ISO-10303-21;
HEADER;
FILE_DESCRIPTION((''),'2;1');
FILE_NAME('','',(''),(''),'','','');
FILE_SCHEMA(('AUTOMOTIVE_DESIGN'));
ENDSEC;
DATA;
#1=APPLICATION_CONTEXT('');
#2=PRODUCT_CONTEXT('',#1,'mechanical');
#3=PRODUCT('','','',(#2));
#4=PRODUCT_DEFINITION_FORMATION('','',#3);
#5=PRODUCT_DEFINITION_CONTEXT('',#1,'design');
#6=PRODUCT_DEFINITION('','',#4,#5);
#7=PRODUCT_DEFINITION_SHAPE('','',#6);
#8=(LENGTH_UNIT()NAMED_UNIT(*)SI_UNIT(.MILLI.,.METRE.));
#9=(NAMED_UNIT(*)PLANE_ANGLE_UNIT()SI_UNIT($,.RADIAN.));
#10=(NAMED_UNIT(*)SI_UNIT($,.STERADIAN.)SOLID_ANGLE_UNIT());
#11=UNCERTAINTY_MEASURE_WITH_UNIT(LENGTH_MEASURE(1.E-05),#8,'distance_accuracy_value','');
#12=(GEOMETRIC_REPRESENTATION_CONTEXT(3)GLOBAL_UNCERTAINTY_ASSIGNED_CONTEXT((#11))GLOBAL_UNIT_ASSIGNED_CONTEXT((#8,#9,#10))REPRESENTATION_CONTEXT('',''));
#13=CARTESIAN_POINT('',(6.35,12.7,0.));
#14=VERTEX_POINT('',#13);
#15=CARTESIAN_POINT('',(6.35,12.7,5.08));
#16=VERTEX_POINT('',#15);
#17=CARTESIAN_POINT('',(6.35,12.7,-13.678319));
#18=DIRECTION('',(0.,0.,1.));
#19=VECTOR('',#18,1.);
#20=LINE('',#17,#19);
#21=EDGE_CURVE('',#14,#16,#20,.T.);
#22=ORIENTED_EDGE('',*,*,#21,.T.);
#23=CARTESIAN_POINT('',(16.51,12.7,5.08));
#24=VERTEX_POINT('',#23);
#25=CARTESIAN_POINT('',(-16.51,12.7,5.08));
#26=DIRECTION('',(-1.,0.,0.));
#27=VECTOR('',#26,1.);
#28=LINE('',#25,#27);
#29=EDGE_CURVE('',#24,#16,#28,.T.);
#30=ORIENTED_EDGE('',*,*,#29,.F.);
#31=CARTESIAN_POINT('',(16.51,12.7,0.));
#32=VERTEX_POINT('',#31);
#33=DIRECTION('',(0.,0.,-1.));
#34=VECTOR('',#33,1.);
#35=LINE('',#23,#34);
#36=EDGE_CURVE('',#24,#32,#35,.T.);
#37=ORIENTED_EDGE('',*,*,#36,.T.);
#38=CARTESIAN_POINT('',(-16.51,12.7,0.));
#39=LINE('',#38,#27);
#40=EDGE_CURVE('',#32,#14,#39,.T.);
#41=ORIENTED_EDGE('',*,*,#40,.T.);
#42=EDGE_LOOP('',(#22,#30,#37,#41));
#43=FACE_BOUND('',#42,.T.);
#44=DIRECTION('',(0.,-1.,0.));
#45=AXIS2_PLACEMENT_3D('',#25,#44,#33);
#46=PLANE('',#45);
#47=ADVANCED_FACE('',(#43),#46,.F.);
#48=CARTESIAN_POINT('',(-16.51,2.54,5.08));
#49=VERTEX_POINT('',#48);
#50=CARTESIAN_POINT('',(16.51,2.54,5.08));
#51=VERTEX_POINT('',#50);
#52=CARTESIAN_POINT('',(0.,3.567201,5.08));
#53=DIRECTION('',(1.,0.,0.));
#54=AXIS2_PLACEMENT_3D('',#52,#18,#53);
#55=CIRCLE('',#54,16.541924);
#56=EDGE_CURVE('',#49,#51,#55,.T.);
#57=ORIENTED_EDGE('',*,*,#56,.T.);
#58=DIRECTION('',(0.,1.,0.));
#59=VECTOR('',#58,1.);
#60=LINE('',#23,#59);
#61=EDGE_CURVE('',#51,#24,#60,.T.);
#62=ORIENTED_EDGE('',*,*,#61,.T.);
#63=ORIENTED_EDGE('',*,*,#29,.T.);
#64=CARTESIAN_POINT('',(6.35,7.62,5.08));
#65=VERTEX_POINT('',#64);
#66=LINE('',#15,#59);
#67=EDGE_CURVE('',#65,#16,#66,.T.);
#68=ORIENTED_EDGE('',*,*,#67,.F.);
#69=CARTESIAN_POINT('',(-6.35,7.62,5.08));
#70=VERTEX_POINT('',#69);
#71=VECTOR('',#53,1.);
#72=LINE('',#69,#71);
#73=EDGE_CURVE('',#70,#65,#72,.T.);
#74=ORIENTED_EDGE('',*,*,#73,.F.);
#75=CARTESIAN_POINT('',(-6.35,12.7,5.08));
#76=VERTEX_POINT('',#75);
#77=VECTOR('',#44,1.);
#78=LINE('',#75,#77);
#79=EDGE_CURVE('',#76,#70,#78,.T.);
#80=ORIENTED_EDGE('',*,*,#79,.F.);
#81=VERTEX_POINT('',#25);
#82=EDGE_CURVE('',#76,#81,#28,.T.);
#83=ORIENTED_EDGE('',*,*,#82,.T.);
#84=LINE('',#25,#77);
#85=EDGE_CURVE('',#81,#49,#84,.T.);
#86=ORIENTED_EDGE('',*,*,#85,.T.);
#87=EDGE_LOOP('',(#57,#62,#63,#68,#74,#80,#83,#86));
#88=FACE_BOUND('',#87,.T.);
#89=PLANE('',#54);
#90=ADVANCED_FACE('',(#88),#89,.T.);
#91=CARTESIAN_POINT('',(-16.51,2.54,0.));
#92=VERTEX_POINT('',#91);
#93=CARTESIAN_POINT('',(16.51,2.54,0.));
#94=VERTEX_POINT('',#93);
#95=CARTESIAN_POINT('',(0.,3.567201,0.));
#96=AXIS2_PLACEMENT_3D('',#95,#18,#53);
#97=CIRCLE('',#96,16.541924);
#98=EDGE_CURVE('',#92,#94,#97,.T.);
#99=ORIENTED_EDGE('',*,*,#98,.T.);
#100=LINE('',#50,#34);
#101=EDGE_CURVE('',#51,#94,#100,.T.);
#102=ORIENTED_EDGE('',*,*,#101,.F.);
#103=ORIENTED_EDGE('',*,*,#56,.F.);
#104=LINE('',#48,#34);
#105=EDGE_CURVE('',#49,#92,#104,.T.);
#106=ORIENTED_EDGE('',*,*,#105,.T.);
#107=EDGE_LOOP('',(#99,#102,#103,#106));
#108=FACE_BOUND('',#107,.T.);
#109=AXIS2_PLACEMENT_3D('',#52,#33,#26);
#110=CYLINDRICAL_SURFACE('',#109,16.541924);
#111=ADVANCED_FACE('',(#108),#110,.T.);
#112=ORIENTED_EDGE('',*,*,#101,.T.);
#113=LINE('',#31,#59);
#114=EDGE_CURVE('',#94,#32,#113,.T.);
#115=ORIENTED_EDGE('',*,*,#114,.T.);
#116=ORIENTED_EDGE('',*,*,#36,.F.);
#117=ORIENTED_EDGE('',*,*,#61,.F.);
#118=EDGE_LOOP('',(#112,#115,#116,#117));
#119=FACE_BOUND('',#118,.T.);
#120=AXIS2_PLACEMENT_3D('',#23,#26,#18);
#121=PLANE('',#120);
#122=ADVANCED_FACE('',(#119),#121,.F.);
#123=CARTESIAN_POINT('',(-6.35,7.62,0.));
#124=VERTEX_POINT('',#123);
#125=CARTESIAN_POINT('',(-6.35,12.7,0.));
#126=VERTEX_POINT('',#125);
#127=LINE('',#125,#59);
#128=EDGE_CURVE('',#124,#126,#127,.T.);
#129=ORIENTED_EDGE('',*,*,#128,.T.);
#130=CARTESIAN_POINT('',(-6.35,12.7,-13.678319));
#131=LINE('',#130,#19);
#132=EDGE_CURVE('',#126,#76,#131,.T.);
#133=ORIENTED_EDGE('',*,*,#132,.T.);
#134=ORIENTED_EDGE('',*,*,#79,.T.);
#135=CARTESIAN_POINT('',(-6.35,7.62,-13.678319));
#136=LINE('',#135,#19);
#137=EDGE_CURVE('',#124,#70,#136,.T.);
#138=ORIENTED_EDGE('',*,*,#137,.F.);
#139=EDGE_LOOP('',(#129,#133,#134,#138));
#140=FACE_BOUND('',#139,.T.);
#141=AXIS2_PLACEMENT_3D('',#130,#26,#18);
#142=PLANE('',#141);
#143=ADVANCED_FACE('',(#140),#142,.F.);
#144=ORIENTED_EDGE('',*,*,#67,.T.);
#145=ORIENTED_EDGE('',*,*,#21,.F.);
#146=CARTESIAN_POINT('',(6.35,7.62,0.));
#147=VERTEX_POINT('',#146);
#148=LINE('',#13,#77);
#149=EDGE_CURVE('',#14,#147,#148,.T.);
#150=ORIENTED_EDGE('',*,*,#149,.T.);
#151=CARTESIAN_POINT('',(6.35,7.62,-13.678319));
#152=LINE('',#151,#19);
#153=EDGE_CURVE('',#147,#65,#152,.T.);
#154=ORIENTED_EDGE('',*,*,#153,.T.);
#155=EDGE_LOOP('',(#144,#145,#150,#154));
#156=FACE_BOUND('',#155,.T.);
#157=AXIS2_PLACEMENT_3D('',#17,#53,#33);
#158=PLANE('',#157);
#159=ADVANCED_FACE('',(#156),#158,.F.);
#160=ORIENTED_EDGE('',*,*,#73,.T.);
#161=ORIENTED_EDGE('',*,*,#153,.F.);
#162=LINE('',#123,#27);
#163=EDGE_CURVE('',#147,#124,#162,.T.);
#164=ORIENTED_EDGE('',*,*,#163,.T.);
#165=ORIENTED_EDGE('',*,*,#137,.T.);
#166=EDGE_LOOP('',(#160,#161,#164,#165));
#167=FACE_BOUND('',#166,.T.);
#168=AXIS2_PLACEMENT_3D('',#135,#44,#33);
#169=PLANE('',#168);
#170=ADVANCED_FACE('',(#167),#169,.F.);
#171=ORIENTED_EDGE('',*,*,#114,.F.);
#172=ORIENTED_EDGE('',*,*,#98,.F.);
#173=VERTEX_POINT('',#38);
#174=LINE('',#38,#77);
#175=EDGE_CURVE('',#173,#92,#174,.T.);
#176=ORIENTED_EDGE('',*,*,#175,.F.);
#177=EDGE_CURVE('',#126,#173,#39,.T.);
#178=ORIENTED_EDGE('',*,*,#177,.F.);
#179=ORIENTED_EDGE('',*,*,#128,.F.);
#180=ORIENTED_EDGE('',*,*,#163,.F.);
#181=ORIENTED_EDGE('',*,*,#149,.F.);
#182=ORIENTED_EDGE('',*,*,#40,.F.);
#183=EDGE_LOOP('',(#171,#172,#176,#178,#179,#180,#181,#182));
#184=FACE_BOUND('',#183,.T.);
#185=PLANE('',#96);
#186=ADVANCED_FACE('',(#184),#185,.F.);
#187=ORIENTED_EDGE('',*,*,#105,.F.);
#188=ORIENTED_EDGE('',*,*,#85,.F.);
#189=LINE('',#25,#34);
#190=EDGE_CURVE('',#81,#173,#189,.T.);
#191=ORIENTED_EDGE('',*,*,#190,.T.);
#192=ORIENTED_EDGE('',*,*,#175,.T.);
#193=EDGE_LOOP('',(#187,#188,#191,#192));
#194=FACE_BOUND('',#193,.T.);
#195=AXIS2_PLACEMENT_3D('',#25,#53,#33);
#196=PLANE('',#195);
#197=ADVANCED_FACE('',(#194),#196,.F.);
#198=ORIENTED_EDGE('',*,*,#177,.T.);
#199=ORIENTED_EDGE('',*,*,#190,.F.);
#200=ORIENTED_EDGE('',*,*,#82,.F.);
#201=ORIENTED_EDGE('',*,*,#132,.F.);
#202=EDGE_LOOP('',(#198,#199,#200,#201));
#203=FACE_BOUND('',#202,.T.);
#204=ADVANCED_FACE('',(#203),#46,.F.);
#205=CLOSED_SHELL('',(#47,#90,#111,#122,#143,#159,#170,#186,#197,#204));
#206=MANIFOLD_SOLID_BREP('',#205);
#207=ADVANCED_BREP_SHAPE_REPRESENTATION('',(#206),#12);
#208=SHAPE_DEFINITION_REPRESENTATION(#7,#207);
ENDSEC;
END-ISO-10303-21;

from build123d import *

# Parameters (mm, degrees)
BOSS_EXTRUDE1_DEPTH = 5.08
SKETCH2_W           = 12.7
SKETCH2_H           = 5.08
CUT_EXTRUDE1_DEPTH  = 5.08


with BuildPart() as part:
    # Sketch1 → Boss-Extrude1 (new body)
    with BuildSketch(Plane.XY):
        with BuildLine():
            Line((-16.51, 12.7), (16.51, 12.7))
            Line((16.51, 12.7), (16.51, 2.54))
            ThreePointArc((16.51, 2.54), (0, -12.974722603), (-16.51, 2.54))
            Line((-16.51, 2.54), (-16.51, 12.7))
        make_face()
    extrude(amount=BOSS_EXTRUDE1_DEPTH)

    # Sketch2 → Cut-Extrude1 (cut)
    with BuildSketch(Plane.XY.offset(5.08)):
        with Locations((0, 10.16)):
            Rectangle(SKETCH2_W, SKETCH2_H)
    extrude(amount=-CUT_EXTRUDE1_DEPTH, mode=Mode.SUBTRACT)


solid = part.part
